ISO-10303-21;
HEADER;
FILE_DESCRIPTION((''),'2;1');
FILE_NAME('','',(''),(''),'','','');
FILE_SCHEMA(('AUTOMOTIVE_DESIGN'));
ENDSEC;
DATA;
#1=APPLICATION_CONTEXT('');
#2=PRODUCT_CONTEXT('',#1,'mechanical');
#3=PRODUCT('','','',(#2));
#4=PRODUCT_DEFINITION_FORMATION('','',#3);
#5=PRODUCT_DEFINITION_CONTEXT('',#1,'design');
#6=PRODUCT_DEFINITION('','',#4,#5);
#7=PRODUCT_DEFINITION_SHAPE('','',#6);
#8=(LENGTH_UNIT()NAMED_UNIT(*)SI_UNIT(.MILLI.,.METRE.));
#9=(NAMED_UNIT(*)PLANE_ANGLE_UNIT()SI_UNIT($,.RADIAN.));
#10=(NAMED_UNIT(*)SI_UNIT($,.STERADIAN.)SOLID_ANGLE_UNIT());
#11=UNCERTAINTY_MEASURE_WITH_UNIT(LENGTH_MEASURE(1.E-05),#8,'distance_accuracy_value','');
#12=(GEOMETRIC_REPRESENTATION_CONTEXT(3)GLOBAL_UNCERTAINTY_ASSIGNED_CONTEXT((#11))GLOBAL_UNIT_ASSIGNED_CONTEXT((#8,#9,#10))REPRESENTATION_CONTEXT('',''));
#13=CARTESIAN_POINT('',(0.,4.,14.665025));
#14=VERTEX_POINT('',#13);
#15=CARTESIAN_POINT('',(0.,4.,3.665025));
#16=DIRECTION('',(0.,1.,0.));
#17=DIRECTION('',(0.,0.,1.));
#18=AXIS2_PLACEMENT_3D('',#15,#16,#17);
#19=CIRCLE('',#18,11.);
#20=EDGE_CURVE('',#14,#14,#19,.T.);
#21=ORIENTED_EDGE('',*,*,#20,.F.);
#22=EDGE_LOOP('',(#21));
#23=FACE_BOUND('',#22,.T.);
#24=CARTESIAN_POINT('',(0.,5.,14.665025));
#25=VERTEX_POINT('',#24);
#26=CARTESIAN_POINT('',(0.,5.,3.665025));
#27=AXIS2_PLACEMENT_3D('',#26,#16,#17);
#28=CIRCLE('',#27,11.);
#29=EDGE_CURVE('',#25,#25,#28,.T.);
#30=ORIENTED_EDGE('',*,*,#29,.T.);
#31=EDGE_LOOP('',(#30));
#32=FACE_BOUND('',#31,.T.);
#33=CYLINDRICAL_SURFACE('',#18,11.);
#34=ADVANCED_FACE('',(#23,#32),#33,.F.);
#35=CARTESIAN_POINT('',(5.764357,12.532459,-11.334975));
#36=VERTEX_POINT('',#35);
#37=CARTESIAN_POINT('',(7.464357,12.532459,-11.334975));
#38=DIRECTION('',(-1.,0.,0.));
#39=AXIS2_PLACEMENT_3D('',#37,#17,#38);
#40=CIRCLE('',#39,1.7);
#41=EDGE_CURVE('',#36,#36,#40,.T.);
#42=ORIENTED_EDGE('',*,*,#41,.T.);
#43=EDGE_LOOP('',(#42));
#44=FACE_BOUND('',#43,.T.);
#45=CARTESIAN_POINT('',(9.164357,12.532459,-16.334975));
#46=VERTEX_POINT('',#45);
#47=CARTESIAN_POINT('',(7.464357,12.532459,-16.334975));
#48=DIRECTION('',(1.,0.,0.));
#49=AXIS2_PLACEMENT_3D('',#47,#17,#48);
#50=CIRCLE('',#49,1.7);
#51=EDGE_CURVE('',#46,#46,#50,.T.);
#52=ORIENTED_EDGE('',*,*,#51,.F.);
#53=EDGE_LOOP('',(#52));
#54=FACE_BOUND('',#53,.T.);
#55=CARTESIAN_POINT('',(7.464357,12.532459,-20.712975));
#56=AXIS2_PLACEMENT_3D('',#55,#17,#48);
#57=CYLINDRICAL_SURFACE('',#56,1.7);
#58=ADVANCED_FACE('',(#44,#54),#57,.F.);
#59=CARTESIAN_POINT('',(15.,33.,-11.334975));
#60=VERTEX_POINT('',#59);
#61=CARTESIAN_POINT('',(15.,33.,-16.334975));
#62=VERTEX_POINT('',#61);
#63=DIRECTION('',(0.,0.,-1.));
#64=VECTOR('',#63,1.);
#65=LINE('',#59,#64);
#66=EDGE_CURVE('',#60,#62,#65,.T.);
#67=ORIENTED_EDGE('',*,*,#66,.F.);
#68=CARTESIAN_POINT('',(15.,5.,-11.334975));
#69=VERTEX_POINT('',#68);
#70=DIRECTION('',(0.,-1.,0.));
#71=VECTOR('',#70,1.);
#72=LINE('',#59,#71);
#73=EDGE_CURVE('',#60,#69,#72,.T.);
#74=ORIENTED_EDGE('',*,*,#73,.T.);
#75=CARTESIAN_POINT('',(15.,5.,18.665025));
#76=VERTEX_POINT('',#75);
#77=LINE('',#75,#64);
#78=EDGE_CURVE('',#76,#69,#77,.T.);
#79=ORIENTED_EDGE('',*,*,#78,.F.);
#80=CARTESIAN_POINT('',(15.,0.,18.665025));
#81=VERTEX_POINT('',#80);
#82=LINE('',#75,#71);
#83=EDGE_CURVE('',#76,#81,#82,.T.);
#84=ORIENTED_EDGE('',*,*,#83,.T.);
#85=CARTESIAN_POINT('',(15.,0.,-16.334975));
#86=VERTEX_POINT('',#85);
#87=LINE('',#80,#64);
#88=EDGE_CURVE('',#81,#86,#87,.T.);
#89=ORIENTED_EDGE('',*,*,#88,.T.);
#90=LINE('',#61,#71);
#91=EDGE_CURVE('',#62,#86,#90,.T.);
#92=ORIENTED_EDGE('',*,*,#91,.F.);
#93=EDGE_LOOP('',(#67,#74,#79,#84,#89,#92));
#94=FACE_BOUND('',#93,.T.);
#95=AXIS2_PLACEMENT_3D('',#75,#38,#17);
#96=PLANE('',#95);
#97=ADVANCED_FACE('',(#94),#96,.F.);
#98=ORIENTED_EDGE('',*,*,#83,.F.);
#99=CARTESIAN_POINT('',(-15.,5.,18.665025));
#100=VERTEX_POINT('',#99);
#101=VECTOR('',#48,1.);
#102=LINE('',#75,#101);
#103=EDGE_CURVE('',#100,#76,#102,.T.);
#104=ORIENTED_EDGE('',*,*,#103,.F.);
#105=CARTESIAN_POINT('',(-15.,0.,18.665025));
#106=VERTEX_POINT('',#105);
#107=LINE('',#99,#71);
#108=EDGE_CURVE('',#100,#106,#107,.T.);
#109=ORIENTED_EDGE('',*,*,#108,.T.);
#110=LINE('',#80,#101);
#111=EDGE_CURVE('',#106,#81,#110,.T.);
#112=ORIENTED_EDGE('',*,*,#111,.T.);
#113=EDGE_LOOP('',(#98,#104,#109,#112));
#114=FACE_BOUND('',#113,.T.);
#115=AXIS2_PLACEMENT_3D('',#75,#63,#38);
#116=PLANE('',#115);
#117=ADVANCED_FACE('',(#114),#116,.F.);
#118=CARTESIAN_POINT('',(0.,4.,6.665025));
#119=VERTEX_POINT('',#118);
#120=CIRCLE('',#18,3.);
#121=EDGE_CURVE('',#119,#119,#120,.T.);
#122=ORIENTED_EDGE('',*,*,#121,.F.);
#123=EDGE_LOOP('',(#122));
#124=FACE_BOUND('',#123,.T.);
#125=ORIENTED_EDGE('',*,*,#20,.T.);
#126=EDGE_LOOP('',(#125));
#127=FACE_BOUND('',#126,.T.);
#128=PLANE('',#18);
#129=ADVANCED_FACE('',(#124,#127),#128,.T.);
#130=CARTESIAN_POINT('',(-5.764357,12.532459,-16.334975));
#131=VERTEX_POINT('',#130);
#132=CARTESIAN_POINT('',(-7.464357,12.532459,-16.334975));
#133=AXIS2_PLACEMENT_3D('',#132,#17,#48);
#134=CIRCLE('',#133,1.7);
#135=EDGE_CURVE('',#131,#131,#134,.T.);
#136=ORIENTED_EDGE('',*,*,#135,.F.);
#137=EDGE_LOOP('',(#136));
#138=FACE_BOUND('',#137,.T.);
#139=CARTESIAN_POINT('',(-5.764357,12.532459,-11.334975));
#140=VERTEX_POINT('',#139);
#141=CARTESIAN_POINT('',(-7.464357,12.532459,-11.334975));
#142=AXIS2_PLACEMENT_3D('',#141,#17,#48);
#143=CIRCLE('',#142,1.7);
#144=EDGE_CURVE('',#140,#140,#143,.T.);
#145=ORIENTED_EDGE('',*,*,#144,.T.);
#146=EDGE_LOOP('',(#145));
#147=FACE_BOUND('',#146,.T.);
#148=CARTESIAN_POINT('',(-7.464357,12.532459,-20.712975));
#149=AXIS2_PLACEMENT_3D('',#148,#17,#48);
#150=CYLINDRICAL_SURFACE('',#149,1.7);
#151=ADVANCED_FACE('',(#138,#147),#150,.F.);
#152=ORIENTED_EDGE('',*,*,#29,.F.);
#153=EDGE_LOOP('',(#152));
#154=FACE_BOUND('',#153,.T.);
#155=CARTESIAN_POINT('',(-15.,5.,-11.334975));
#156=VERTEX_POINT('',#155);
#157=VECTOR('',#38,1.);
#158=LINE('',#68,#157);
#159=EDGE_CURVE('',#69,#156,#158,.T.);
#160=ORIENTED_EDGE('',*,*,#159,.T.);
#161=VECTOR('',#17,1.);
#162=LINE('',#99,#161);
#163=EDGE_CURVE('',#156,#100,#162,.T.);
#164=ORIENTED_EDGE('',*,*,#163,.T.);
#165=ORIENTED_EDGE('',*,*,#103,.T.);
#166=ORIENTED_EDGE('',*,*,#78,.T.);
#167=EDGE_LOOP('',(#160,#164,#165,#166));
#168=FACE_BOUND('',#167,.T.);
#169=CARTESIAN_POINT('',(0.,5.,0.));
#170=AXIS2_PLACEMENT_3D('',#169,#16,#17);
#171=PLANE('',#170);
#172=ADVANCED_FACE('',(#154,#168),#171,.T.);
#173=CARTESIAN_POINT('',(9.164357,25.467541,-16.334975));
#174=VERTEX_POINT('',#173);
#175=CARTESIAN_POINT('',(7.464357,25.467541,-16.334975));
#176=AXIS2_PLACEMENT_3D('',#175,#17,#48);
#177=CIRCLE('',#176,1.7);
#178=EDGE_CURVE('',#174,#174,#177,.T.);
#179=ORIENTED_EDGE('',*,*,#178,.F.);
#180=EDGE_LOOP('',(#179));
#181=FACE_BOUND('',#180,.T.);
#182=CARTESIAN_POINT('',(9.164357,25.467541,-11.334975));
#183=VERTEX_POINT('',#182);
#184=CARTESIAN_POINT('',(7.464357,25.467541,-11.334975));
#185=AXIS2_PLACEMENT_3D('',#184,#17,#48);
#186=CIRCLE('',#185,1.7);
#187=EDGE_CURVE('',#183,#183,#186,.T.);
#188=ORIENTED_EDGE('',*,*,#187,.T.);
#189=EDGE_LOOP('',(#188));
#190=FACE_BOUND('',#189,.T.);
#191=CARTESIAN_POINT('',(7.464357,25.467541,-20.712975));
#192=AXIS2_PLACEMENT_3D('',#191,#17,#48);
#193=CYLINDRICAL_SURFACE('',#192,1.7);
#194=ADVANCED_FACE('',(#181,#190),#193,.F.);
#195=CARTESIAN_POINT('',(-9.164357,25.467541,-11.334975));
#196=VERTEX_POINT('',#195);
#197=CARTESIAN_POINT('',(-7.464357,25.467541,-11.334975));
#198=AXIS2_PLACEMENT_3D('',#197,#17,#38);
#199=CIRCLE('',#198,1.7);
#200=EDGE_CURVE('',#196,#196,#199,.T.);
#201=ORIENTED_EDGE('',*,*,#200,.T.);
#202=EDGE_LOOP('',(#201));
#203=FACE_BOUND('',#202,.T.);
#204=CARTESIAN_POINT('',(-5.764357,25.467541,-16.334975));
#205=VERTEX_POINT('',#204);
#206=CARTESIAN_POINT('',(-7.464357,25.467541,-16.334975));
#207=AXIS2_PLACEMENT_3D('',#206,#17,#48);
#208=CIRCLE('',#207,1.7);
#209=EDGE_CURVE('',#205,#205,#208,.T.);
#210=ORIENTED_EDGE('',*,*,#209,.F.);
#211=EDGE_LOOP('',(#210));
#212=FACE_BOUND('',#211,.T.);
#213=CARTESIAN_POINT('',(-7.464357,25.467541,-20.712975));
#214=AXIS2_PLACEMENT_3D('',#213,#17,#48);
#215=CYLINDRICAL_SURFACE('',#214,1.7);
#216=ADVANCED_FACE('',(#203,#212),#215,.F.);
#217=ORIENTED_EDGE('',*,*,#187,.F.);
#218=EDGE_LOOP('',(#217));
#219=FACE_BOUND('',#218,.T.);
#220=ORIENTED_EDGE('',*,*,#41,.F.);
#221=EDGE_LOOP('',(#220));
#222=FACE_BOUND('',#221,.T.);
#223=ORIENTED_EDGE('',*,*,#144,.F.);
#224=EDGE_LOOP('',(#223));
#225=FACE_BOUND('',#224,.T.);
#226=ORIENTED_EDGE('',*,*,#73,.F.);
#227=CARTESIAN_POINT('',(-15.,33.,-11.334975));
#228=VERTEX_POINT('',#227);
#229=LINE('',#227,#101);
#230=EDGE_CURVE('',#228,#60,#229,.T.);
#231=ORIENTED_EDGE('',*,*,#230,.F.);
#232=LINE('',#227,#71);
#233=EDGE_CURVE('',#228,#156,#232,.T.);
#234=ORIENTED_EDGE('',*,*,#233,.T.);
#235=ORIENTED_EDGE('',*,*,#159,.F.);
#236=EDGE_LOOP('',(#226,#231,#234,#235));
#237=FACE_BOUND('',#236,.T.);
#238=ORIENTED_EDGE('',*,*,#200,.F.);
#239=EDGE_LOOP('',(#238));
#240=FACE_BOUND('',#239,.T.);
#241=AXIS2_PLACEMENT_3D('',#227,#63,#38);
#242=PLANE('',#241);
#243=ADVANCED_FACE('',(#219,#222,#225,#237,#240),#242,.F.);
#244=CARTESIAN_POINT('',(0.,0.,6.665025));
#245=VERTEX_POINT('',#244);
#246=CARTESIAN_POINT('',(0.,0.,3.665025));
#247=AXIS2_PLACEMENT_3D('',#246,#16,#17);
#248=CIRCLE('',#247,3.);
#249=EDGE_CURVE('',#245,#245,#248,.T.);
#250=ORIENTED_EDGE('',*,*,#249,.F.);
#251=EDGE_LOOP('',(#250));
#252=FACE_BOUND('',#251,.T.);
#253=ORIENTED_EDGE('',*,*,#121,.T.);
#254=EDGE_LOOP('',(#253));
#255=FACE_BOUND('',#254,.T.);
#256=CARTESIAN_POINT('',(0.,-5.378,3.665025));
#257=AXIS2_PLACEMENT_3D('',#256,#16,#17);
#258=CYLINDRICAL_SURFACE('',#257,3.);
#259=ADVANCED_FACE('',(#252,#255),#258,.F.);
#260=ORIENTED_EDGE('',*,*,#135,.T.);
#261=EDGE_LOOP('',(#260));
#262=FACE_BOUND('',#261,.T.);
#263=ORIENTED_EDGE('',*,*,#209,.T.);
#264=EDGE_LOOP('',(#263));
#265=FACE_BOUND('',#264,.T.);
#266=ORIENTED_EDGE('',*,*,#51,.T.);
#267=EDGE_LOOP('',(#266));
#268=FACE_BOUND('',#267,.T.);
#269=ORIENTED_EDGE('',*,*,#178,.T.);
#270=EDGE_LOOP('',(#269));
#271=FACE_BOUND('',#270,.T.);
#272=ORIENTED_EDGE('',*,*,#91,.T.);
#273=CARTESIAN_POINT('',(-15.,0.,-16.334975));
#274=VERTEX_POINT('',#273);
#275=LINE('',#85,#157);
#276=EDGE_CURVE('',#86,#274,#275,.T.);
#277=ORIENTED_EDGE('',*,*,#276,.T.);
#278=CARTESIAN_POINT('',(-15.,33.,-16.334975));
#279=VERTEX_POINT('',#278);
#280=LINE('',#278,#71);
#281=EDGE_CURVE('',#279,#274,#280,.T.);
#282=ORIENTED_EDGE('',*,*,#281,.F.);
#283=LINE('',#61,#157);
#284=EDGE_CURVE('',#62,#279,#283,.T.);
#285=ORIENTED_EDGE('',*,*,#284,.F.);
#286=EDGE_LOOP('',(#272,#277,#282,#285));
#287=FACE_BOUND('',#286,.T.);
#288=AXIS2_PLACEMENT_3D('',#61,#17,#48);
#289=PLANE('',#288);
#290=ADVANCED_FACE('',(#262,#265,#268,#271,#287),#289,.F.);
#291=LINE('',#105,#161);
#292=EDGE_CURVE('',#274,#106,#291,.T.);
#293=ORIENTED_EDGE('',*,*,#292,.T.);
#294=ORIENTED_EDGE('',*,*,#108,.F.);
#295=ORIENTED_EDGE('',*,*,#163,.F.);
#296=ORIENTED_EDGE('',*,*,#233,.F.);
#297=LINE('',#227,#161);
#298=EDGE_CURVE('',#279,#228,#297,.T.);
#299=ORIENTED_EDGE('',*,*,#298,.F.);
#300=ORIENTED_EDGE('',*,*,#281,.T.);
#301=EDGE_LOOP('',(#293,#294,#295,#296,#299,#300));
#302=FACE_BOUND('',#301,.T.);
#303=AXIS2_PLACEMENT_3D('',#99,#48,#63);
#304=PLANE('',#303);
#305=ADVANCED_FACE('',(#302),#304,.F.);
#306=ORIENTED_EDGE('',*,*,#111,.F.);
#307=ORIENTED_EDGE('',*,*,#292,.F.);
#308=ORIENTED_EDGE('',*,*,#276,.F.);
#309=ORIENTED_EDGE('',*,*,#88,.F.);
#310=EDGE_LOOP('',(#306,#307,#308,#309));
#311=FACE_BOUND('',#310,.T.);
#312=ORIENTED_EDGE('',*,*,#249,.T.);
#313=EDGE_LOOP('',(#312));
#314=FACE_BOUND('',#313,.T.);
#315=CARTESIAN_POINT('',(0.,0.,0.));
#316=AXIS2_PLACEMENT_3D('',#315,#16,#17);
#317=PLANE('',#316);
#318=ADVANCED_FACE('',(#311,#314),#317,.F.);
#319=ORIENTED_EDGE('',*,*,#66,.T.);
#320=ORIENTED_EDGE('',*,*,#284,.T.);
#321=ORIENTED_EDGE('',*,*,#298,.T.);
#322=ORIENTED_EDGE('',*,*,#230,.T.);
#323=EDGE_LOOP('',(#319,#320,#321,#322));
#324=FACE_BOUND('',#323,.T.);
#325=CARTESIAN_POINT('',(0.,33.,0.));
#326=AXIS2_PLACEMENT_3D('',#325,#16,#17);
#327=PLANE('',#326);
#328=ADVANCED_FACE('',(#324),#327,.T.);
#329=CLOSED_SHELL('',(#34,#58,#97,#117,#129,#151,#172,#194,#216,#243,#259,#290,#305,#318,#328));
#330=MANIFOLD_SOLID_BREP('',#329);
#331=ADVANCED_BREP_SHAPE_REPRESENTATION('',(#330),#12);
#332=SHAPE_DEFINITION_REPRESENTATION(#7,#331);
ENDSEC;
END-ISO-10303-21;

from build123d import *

# Parameters (mm, degrees)
SKETCH1_W           = 30
SKETCH1_H           = 30
BOSS_EXTRUDE1_DEPTH = 5
SKETCH2_R           = 11
CUT_EXTRUDE1_DEPTH  = 1
SKETCH5_W           = 30
SKETCH5_H           = 5
BOSS_EXTRUDE3_DEPTH = 33
SKETCH6_R           = 1.7
CUT_EXTRUDE2_DEPTH  = 9.378
SKETCH7_R           = 3
CUT_EXTRUDE3_DEPTH  = 9.378


with BuildPart() as part:
    # Sketch1 → Boss-Extrude1 (new body)
    with BuildSketch(Plane(origin=(0, 0, 0), x_dir=(1, 0, 0), z_dir=(0, 1, 0))):
        with Locations((0, -3.665024631)):
            Rectangle(SKETCH1_W, SKETCH1_H)
    extrude(amount=BOSS_EXTRUDE1_DEPTH)

    # Sketch2 → Cut-Extrude1 (cut)
    with BuildSketch(Plane(origin=(0, 5, 0), x_dir=(1, 0, 0), z_dir=(0, 1, 0))):
        with Locations(Location((0, -3.665024631, 0), (0, 0, 270))):
            Circle(SKETCH2_R)
    extrude(amount=-CUT_EXTRUDE1_DEPTH, mode=Mode.SUBTRACT)

    # Sketch5 → Boss-Extrude3 (add)
    with BuildSketch(Plane(origin=(0, 0, 0), x_dir=(1, 0, 0), z_dir=(0, 1, 0))):
        with Locations((0, 13.834975369)):
            Rectangle(SKETCH5_W, SKETCH5_H)
    extrude(amount=BOSS_EXTRUDE3_DEPTH)

    # Sketch6 → Cut-Extrude2 (cut)
    with BuildSketch(Plane.XY.offset(-11.334975369)):
        with Locations((-7.464356525, 12.532459144)):
            Circle(SKETCH6_R)
        with Locations((7.464356525, 12.532459144)):
            Circle(SKETCH6_R)
        with Locations((7.464356525, 25.467540856)):
            Circle(SKETCH6_R)
        with Locations((-7.464356525, 25.467540856)):
            Circle(SKETCH6_R)
    extrude(amount=-CUT_EXTRUDE2_DEPTH, mode=Mode.SUBTRACT)

    # Sketch7 → Cut-Extrude3 (cut)
    with BuildSketch(Plane(origin=(0, 4, 0), x_dir=(1, 0, 0), z_dir=(0, 1, 0))):
        with Locations(Location((0, -3.665024631, 0), (0, 0, 270))):
            Circle(SKETCH7_R)
    extrude(amount=-CUT_EXTRUDE3_DEPTH, mode=Mode.SUBTRACT)


solid = part.part
